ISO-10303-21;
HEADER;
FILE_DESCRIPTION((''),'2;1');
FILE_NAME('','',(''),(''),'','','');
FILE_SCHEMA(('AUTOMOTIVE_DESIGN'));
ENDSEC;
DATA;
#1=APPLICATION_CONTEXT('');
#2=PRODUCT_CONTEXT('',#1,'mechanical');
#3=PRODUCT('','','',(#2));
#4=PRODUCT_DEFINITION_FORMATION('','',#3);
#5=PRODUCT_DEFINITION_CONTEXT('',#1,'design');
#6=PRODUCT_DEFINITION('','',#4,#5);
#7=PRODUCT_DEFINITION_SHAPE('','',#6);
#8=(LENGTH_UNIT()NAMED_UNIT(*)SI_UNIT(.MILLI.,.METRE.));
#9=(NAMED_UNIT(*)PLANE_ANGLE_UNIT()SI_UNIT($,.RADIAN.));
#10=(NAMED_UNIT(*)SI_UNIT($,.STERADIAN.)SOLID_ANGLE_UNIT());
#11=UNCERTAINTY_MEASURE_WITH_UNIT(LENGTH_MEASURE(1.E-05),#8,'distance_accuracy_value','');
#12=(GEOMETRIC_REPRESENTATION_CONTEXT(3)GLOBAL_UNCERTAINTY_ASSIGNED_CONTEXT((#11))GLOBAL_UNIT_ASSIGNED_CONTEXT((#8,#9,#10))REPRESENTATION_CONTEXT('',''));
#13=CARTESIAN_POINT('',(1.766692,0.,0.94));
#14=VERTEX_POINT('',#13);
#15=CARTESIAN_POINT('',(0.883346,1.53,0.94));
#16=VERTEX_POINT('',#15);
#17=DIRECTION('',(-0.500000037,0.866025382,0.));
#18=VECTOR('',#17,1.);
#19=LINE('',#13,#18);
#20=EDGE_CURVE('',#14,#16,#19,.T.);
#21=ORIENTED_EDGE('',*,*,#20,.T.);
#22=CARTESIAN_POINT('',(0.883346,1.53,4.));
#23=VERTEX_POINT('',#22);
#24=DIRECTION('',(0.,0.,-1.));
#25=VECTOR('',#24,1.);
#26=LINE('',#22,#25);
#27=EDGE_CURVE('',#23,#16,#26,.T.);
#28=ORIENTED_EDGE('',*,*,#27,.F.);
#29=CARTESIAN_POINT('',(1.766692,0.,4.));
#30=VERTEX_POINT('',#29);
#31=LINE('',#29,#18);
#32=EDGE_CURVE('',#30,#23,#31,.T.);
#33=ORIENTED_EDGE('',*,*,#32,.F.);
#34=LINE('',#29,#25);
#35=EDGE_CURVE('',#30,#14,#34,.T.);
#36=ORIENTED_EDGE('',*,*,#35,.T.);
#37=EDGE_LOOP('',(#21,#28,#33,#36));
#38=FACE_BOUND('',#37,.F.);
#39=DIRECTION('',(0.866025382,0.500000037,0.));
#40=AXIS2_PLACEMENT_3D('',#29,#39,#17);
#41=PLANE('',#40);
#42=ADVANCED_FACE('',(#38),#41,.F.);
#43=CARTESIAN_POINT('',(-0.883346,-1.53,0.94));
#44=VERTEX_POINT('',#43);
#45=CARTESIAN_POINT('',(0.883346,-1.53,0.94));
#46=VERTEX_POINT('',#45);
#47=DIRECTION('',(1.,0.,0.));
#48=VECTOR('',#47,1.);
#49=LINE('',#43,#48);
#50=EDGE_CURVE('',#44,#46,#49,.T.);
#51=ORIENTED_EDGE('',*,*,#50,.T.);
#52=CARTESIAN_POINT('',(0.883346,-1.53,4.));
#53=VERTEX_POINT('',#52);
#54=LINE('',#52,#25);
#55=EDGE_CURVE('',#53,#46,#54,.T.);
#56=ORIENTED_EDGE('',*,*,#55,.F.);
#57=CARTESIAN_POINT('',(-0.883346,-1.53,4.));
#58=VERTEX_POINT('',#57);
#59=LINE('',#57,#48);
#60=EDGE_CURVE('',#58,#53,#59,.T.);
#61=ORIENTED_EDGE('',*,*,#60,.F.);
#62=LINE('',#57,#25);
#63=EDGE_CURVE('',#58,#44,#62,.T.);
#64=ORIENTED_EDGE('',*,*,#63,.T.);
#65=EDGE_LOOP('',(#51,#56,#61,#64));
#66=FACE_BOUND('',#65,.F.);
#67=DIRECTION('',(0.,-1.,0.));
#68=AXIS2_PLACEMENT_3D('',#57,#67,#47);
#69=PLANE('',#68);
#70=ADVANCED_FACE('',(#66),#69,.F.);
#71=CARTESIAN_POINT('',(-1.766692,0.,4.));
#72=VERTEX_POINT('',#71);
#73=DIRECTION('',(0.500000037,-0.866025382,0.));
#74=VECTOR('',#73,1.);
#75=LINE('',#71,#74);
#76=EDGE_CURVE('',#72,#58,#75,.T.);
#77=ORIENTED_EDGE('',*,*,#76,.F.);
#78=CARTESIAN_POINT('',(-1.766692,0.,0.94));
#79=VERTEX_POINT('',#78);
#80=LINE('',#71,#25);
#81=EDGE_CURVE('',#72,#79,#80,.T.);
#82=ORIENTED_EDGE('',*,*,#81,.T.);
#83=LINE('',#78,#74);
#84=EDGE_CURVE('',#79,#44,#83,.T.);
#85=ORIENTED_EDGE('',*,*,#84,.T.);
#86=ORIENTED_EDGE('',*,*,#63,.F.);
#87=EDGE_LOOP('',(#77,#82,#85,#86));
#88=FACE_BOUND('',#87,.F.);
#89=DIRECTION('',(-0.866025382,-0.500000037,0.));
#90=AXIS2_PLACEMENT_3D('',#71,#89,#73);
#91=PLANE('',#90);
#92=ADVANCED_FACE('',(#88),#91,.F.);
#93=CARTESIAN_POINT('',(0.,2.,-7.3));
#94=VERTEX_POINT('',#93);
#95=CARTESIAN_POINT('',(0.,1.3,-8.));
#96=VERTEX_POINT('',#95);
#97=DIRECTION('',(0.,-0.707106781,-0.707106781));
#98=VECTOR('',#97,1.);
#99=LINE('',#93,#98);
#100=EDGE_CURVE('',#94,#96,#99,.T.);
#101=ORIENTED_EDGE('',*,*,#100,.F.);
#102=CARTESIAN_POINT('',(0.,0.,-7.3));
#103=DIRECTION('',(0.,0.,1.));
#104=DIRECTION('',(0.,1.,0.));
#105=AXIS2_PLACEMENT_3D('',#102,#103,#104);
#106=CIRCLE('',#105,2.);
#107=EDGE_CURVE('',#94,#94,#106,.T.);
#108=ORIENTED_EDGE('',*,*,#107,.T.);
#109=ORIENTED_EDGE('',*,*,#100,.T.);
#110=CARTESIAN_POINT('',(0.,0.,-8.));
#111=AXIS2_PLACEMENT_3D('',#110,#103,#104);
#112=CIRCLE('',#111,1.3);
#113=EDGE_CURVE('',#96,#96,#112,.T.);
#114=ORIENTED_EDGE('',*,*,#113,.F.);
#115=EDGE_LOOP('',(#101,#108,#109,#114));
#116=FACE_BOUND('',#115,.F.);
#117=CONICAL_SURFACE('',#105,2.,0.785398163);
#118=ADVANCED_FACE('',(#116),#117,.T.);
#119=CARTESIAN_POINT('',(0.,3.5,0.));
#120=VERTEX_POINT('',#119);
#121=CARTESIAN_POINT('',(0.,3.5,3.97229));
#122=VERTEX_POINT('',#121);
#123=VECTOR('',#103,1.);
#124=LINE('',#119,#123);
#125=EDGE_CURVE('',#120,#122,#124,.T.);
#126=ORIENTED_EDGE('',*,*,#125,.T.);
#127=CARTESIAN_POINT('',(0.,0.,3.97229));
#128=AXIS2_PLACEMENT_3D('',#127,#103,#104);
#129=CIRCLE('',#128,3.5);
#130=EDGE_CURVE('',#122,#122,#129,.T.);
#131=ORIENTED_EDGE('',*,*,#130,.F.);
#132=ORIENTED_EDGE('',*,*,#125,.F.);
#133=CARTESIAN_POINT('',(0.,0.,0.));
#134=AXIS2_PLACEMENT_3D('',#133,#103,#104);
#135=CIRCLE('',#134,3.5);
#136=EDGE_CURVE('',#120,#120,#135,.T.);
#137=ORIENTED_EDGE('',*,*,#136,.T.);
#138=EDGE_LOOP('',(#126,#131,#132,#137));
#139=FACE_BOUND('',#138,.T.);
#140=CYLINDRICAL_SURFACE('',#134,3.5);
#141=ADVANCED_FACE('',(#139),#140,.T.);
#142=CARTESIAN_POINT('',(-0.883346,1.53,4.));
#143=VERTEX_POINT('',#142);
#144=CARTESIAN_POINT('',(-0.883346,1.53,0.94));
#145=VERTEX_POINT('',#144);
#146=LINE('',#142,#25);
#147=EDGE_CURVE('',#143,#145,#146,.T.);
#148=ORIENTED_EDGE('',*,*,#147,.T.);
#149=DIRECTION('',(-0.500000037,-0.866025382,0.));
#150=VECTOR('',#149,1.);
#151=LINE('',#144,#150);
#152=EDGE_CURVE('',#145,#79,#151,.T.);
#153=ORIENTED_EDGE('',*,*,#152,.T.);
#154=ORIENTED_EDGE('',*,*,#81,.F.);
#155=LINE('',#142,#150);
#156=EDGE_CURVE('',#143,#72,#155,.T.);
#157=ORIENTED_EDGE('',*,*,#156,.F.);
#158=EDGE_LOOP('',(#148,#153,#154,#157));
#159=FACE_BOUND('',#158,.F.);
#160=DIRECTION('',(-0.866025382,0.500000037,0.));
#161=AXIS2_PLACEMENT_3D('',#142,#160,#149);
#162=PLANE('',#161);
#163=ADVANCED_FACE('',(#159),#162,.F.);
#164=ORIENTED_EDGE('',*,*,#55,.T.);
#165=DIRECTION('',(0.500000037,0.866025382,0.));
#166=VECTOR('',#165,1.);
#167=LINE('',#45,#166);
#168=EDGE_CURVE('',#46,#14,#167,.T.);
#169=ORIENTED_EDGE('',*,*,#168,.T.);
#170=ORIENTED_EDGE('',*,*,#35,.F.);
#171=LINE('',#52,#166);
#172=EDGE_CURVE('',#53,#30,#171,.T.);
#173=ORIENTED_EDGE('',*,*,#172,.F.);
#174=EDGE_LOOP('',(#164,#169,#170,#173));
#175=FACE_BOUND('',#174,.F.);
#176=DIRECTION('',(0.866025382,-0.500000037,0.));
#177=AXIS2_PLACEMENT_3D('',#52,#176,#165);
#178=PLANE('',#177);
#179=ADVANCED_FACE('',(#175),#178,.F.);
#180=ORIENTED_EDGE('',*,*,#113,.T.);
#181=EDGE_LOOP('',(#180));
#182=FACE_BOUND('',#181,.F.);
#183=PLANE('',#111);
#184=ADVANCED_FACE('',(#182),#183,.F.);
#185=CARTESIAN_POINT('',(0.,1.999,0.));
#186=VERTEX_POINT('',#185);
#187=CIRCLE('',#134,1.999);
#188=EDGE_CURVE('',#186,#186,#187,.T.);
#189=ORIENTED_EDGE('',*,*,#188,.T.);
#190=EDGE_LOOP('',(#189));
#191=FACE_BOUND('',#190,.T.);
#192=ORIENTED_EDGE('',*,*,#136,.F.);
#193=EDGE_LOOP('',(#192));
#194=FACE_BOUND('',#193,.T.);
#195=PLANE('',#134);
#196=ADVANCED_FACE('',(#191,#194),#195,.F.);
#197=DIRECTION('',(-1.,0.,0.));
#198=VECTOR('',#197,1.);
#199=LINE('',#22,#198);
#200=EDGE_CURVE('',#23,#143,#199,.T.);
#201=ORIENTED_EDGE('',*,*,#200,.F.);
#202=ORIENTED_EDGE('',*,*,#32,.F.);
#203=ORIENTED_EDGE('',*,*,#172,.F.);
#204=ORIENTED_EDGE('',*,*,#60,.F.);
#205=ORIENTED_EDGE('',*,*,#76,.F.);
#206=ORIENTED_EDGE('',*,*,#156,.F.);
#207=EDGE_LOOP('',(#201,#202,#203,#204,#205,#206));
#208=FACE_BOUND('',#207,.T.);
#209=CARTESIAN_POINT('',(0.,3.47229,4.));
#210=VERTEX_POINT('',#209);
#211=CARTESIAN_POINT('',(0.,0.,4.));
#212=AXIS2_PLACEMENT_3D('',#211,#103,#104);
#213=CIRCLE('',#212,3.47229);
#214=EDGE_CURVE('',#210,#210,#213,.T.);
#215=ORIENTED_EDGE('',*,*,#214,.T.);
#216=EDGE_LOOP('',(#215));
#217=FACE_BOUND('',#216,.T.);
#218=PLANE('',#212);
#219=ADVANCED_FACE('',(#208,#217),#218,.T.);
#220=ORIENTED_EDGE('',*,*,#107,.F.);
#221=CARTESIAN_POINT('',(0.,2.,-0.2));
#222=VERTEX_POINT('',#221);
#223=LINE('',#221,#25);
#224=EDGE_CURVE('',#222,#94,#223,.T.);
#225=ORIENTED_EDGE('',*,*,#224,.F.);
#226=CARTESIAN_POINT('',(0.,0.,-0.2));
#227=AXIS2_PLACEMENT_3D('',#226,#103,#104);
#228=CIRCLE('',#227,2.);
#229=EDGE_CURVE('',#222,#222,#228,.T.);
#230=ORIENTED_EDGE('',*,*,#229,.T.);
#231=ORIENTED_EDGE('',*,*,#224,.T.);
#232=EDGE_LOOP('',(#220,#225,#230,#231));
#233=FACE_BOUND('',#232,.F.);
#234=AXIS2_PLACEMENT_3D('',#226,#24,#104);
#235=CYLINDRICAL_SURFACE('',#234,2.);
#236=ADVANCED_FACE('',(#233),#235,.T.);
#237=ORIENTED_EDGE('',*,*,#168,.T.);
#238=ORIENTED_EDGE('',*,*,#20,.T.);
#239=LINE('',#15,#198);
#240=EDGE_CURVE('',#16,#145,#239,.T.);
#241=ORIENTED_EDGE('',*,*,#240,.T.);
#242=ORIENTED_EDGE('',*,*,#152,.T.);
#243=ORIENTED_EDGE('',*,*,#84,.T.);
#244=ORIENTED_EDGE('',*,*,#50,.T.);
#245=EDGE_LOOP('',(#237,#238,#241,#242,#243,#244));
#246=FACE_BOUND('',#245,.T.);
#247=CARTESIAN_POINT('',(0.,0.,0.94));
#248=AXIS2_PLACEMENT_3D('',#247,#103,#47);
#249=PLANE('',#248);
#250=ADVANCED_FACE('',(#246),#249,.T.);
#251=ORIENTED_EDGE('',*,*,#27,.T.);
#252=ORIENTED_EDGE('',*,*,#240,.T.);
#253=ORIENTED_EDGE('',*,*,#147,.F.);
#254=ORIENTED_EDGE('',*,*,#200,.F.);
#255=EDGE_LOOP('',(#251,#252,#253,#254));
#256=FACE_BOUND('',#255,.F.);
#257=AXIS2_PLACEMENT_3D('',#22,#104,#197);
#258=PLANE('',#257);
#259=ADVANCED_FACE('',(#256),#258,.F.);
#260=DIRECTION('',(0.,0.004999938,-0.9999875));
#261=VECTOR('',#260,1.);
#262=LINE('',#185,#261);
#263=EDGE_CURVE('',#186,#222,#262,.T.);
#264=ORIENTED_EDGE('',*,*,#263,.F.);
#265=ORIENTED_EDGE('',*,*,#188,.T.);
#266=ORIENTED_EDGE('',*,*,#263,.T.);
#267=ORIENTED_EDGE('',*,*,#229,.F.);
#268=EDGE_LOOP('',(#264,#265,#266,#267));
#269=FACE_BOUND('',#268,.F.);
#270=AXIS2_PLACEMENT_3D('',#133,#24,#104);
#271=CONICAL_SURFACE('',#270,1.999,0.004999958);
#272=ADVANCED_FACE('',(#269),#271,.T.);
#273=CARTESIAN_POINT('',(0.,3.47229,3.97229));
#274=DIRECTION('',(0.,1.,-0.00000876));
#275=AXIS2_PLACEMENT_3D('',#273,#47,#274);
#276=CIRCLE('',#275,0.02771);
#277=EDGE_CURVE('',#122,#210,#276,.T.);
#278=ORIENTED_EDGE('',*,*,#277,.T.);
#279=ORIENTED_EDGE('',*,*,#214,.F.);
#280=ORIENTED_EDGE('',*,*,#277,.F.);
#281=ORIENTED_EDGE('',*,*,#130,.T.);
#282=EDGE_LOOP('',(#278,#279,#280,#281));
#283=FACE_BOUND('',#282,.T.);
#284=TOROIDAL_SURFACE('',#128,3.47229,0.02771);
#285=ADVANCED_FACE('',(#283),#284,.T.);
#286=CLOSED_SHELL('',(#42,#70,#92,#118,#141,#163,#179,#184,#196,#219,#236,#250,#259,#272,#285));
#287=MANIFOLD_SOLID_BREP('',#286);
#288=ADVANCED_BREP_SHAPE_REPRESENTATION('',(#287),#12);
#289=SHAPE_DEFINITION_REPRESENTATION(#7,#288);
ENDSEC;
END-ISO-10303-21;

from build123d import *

# Parameters (mm, degrees)
POCKET_DEPTH = 3.06


with BuildPart() as part:
    # Sketch → Revolve (revolve)
    with BuildSketch(Plane.YZ):
        with BuildLine():
            Line((1.999, 0), (3.5, 0))
            Line((3.5, 0), (3.5, 3.97229))
            ThreePointArc((3.5, 3.97229), (3.491884, 3.991884), (3.47229, 4))
            Line((3.47229, 4), (0, 4))
            Line((0, -8), (0, 4))
            Line((1.3, -8), (0, -8))
            Line((2, -7.3), (1.3, -8))
            Line((2, -0.2), (2, -7.3))
            Line((1.999, 0), (2, -0.2))
        make_face()
    revolve(axis=Axis((0, 0, 0), (0, 0, 1)))

    # Sketch001 → Pocket (cut)
    with BuildSketch(Plane.XY.offset(4)):
        Polygon((1.766692, 0), (0.883346, 1.53), (-0.883346, 1.53), (-1.766692, 0), (-0.883346, -1.53), (0.883346, -1.53), align=None)
    extrude(amount=-POCKET_DEPTH, mode=Mode.SUBTRACT)


solid = part.part
